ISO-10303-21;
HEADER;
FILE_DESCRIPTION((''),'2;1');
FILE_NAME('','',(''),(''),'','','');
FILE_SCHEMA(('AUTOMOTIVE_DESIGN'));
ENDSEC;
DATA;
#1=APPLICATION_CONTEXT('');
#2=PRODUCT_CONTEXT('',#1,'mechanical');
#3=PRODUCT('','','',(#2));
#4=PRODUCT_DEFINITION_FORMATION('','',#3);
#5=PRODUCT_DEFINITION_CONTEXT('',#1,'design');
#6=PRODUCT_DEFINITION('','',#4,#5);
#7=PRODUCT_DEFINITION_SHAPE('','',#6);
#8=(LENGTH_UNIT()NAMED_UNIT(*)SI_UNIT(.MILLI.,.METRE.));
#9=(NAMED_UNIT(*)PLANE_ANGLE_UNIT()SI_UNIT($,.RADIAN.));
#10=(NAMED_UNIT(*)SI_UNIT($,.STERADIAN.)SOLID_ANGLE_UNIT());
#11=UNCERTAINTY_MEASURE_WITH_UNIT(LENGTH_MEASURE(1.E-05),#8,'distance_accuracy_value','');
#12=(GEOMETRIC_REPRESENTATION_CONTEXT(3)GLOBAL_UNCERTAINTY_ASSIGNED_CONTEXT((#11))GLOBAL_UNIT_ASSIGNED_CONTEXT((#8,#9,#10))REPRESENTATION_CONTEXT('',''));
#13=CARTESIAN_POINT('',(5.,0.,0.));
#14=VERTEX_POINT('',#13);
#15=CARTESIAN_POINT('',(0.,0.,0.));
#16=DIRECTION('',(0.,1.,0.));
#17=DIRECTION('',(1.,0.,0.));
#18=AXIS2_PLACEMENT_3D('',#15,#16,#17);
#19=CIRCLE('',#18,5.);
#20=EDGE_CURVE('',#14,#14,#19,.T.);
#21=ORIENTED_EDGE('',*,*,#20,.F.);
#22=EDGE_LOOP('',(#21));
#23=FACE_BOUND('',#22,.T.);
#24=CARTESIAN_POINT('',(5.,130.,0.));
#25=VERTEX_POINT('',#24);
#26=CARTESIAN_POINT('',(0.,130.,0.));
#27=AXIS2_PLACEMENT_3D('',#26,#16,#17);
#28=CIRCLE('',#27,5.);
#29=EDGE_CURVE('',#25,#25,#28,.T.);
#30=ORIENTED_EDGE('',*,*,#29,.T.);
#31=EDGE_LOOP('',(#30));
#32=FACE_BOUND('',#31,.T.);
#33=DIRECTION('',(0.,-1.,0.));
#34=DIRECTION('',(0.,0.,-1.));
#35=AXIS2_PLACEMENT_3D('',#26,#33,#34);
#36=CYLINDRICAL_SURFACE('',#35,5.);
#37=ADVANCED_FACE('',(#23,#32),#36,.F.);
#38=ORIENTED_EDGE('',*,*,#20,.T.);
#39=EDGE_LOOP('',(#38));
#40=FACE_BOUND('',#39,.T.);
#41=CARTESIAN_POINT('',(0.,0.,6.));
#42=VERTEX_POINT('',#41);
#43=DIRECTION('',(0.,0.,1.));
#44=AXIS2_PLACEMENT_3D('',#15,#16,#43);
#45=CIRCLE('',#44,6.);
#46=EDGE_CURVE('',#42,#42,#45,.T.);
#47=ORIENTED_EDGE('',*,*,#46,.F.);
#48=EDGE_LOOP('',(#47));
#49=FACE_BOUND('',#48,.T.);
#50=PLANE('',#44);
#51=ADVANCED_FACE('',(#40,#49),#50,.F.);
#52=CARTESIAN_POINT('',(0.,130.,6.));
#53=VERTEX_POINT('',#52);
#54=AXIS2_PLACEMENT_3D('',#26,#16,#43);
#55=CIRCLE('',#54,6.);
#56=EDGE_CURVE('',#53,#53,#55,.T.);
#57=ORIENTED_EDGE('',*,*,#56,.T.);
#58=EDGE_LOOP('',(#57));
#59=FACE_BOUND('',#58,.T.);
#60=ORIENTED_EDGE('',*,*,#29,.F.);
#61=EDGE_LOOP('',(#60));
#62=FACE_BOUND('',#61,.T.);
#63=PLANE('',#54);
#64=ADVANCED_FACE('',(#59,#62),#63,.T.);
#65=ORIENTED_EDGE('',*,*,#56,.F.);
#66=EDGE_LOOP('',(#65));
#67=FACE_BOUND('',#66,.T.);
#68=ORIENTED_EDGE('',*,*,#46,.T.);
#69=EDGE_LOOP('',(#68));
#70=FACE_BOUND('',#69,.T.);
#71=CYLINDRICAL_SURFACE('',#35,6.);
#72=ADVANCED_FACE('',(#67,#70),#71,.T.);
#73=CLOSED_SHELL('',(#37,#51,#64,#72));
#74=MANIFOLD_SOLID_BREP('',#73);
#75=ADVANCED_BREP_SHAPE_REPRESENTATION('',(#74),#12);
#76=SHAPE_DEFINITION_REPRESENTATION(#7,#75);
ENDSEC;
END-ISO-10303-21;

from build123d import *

# Parameters (mm, degrees)
SKETCH_1_R      = 6
SKETCH_1_R_2    = 5
EXTRUDE_1_DEPTH = 130


with BuildPart() as part:
    # 草图1 → 拉伸-薄壁1 (new body)
    with BuildSketch(Plane(origin=(0, 0, 0), x_dir=(1, 0, 0), z_dir=(0, 1, 0))):
        Circle(SKETCH_1_R)
        Circle(SKETCH_1_R_2, mode=Mode.SUBTRACT)
    extrude(amount=EXTRUDE_1_DEPTH)


solid = part.part
